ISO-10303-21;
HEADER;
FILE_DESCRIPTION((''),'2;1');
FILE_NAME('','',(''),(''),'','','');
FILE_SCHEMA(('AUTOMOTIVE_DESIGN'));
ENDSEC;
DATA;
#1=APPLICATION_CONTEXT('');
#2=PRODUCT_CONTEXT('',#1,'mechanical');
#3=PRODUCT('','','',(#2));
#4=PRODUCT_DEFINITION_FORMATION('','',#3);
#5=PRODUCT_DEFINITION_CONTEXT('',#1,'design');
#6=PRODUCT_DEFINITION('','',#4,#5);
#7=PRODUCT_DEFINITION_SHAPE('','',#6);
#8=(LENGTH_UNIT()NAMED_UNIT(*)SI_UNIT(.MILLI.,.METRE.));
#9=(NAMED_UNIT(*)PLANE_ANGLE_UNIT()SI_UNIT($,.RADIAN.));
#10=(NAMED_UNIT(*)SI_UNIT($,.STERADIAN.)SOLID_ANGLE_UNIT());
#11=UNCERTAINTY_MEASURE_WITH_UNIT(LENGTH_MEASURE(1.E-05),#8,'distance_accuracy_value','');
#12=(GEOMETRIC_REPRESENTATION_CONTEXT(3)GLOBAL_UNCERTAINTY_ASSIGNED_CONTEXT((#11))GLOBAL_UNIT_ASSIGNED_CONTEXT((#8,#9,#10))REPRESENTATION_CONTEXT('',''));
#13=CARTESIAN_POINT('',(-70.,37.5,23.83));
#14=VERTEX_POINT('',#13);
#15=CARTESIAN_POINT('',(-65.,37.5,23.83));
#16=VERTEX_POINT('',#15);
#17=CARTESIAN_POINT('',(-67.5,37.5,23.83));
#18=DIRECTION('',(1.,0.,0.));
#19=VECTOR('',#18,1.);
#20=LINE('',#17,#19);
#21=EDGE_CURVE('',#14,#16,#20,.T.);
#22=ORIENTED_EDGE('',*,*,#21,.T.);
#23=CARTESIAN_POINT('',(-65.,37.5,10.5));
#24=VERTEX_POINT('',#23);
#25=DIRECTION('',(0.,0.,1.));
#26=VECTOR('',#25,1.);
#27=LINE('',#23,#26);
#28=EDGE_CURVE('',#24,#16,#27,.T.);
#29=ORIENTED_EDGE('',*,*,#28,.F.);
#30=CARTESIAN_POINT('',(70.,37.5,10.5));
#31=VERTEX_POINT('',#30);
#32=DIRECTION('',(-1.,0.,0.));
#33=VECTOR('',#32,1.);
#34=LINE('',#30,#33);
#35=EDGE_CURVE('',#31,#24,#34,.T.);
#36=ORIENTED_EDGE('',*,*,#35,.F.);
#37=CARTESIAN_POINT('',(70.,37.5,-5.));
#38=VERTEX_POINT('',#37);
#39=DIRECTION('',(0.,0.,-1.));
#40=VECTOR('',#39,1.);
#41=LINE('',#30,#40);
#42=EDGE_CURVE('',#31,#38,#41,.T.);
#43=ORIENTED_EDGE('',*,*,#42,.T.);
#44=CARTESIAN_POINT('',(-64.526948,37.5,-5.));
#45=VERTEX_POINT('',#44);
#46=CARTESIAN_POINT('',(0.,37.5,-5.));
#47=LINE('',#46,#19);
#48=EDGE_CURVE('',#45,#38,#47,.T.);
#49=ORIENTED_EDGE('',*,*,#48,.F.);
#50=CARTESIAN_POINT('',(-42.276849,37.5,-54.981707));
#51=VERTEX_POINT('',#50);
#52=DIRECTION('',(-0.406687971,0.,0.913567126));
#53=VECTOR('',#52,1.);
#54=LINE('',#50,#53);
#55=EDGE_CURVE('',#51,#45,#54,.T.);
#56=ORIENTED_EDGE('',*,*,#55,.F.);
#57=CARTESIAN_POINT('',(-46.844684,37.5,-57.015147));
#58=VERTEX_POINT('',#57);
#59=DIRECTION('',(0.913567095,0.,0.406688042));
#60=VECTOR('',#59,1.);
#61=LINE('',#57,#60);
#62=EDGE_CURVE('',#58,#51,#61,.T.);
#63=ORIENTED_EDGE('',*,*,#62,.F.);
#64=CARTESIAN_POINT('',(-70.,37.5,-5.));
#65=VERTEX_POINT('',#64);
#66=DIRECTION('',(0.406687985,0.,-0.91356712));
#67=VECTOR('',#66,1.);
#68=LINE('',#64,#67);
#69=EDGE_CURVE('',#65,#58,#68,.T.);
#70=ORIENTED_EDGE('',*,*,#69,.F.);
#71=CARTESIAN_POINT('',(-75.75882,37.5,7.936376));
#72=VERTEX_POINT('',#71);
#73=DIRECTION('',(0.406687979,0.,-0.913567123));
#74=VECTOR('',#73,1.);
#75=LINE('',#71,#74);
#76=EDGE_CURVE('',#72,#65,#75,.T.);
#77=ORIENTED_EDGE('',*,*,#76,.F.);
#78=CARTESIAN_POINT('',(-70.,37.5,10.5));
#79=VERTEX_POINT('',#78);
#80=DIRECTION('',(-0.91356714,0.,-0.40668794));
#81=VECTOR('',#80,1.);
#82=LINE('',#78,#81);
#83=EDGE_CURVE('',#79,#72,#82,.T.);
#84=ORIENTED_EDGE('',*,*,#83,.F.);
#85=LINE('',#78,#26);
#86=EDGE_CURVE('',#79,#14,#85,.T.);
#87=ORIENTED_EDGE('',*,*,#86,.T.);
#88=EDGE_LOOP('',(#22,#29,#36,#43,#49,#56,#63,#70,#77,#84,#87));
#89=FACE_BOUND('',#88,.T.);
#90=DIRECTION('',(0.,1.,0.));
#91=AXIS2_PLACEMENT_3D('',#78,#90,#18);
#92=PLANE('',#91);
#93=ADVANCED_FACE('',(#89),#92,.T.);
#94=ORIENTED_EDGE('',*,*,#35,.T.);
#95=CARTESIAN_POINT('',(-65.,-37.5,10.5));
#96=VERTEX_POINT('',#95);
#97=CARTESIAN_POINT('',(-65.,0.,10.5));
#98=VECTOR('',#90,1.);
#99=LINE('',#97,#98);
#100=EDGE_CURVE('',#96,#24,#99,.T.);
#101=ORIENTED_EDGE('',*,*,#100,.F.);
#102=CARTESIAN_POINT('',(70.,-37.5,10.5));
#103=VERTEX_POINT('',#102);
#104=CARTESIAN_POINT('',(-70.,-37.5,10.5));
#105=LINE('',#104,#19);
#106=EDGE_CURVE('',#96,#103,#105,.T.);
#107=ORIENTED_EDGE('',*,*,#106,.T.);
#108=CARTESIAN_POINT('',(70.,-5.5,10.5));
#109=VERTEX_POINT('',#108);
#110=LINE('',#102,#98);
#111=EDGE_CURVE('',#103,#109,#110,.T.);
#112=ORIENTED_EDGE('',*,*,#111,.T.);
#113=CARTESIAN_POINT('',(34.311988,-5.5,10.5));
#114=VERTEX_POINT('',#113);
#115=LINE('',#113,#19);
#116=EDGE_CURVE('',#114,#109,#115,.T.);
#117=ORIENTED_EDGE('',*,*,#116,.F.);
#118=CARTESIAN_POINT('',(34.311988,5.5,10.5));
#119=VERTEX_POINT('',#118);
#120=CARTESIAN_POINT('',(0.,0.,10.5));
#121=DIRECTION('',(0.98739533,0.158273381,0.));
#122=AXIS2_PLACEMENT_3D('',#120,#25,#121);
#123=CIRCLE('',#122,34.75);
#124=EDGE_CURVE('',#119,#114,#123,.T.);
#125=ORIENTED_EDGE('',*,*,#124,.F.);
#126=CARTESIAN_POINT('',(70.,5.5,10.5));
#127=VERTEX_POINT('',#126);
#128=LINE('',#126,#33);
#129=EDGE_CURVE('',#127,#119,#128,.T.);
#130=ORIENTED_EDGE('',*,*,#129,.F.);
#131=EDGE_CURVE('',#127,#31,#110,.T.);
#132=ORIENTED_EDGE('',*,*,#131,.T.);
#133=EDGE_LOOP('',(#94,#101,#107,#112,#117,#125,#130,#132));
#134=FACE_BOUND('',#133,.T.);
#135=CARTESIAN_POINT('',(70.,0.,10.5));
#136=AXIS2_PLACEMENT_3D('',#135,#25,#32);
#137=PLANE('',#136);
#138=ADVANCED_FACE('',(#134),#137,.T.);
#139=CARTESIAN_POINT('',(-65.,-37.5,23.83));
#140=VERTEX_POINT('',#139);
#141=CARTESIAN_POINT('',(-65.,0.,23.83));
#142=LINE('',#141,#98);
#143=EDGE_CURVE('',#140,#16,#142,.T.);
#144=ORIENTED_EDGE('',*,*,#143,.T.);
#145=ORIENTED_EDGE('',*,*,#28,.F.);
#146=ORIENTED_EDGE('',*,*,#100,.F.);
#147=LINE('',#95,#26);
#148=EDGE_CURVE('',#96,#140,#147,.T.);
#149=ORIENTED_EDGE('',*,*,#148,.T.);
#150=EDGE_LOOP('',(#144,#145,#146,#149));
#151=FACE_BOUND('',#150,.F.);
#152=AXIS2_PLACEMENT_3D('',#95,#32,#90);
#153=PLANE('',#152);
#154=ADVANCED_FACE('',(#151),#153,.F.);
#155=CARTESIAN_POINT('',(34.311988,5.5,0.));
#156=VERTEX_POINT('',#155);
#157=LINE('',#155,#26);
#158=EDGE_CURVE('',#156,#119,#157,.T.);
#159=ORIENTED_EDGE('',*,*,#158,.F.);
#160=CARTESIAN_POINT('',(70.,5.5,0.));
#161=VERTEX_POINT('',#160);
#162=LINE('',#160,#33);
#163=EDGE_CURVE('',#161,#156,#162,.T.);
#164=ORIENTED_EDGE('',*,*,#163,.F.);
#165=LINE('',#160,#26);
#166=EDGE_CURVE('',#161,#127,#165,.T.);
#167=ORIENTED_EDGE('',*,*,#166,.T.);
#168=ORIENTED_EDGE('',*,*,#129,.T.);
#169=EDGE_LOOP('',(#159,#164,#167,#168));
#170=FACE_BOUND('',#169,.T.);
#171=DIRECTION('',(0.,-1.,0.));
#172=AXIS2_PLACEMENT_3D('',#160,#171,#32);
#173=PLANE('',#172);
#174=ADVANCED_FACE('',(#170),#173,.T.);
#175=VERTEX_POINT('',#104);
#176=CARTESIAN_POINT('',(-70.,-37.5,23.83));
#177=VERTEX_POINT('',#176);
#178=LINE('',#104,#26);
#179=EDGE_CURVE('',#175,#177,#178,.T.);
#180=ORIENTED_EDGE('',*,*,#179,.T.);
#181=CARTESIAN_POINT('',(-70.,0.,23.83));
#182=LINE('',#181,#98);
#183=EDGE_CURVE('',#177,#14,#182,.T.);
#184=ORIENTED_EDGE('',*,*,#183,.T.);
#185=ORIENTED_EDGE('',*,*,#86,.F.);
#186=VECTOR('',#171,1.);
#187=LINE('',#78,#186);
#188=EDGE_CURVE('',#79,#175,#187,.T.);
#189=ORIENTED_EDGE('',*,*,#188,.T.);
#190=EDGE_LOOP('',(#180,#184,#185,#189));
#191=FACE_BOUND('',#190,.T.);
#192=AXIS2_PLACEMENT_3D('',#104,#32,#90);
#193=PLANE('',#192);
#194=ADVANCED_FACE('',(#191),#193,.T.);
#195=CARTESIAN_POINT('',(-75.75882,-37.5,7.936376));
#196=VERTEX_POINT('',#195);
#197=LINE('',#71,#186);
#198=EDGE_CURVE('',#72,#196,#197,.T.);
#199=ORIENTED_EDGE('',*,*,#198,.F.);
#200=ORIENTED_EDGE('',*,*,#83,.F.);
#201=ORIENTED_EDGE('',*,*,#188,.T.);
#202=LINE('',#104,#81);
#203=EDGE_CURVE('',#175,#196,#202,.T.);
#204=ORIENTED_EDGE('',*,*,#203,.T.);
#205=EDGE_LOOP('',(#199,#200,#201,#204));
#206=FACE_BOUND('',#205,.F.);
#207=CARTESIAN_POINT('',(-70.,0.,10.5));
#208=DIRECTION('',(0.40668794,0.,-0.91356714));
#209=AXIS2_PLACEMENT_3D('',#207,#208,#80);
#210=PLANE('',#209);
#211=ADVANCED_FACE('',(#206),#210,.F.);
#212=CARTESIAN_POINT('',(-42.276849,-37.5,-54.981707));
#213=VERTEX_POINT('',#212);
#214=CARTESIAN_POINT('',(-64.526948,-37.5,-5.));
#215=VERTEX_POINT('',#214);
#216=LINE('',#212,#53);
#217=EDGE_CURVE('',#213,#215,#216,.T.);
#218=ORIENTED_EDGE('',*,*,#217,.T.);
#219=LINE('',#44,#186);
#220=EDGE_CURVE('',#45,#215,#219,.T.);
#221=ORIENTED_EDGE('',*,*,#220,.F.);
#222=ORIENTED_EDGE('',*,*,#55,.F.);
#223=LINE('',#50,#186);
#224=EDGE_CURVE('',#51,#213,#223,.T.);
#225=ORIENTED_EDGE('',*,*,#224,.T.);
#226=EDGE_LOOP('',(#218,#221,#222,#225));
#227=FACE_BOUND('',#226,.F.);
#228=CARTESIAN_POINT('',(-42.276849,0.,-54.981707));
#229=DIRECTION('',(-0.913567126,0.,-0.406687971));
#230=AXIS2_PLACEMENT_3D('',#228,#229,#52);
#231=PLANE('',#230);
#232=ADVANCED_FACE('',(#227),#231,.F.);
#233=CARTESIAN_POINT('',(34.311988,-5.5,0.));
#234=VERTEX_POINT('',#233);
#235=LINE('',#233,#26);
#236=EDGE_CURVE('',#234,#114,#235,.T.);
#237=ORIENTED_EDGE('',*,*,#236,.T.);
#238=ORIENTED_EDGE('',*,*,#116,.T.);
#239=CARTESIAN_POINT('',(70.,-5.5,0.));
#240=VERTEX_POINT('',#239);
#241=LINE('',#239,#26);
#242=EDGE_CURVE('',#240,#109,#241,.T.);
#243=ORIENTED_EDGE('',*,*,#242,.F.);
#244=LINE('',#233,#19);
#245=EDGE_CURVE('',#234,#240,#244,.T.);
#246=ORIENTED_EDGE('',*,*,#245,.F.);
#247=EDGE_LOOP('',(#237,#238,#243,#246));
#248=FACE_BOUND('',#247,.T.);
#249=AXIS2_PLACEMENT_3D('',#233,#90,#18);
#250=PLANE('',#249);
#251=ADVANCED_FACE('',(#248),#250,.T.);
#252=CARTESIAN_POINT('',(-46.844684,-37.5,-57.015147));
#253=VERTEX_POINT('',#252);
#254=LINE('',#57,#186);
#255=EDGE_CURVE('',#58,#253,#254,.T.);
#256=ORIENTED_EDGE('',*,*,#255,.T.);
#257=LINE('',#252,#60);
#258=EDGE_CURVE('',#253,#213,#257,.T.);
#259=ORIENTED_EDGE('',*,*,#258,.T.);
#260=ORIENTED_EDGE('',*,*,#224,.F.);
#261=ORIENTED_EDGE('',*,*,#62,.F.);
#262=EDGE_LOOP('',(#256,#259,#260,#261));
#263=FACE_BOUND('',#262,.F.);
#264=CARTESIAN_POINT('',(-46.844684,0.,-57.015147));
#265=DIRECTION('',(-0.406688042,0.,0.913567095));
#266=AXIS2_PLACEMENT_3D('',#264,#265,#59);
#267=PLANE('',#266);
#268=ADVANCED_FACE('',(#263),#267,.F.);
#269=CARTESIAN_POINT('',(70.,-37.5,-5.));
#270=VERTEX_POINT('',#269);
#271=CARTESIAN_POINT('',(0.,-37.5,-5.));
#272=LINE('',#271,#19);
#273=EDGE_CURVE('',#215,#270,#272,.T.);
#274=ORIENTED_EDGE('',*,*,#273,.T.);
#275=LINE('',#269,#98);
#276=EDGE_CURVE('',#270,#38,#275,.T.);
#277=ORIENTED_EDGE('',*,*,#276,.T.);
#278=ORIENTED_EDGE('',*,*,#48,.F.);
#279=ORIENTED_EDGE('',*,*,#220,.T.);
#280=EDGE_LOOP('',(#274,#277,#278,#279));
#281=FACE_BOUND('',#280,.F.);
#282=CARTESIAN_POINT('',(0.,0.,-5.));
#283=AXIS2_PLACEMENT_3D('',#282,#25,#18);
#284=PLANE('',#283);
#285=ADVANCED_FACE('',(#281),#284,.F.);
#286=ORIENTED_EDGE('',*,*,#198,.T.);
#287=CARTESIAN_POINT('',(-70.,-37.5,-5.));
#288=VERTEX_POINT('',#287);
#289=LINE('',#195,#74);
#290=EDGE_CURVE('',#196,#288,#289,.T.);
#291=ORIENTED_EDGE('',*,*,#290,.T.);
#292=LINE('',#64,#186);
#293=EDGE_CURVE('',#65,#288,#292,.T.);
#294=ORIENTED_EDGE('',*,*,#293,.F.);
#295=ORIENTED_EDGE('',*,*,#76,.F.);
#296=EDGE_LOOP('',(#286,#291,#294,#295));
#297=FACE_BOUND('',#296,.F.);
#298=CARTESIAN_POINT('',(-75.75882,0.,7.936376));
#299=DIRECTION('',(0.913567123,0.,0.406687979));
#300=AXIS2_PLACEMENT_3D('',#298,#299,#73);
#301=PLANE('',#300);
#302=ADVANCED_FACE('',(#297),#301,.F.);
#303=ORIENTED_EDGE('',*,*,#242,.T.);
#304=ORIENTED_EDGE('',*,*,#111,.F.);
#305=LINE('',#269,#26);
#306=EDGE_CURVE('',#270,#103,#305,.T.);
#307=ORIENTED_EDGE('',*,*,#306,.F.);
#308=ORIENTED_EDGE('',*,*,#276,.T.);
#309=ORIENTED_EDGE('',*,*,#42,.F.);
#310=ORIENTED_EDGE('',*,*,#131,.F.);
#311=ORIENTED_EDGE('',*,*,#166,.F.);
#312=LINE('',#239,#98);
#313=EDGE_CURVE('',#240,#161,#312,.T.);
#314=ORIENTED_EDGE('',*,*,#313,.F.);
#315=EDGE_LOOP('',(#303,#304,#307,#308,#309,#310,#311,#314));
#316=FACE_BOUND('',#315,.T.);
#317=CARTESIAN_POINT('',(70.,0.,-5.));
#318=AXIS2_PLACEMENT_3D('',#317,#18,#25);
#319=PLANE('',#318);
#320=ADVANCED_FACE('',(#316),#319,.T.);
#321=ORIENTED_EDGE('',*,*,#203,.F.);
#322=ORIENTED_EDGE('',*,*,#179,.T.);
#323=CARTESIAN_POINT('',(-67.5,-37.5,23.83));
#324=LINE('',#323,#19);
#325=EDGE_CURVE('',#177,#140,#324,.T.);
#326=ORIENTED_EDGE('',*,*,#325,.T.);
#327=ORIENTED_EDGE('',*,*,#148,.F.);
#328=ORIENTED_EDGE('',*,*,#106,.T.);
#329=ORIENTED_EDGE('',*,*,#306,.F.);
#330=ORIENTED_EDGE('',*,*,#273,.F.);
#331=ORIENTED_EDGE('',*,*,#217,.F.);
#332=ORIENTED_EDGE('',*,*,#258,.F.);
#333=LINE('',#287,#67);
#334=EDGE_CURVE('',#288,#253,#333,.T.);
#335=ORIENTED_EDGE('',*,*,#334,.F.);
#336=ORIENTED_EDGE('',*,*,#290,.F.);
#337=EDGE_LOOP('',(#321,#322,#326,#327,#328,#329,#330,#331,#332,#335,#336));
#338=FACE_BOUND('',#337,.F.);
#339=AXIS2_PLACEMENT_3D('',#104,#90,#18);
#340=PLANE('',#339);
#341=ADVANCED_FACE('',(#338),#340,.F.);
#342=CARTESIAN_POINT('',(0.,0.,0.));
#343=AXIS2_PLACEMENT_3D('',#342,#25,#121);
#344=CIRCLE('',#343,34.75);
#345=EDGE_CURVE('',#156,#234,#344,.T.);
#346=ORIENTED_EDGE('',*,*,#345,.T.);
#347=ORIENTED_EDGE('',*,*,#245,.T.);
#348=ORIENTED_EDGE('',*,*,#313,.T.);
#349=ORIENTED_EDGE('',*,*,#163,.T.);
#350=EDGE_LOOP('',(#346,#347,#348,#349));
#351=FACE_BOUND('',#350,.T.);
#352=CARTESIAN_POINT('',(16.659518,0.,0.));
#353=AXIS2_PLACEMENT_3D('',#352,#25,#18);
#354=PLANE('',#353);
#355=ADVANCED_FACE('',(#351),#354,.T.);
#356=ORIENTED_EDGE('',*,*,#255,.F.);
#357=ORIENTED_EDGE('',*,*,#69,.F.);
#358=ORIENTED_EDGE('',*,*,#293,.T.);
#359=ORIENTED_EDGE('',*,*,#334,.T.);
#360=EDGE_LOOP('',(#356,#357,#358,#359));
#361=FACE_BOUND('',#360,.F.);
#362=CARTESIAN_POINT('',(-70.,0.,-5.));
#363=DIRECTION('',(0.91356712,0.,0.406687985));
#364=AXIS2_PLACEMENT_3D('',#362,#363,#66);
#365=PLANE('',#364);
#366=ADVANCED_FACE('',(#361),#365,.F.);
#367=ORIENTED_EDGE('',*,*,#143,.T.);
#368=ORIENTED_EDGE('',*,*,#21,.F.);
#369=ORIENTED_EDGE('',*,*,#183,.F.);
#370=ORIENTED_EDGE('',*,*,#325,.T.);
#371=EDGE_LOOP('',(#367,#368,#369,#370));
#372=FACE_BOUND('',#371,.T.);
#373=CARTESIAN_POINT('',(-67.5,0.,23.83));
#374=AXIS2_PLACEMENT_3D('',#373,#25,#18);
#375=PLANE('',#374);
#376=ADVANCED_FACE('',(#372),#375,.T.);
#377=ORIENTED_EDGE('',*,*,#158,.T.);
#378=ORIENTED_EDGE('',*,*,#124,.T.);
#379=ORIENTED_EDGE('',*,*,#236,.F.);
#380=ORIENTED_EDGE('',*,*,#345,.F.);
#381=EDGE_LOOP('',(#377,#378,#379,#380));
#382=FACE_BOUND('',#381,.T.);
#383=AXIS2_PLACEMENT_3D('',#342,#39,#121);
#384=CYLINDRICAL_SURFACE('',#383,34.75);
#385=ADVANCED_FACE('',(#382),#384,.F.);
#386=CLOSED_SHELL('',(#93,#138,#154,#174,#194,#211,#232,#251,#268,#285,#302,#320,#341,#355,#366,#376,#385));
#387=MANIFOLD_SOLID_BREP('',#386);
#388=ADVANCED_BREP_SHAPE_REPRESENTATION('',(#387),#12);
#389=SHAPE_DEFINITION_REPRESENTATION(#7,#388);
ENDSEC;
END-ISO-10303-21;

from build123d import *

# Parameters (mm, degrees)
F1_DEPTH      = 10.5
F2_W          = 140
F2_H          = 75
F3_DEPTH      = 5
F5_DEPTH      = 37.5
F5_DEPTH_BACK = 37.5
F6_DEPTH      = 10.5
F7_W          = 5
F7_H          = 75
F8_DEPTH      = 13.33


with BuildPart() as f1:
    # F0 (on Top) → F1 (new body)
    with BuildSketch(Plane.XY):
        with BuildLine():
            Line((-70, -37.5), (70, -37.5))
            Line((70, -37.5), (70, -5.5))
            Line((70, -5.5), (34.311988, -5.5))
            ThreePointArc((34.311988, -5.5), (-34.75, 0), (34.311988, 5.5))
            Line((34.311988, 5.5), (70, 5.5))
            Line((70, 5.5), (70, 37.5))
            Line((70, 37.5), (-70, 37.5))
            Line((-70, 37.5), (-70, -37.5))
        make_face()
    extrude(amount=F1_DEPTH)

    # F2 (on Top) → F3 (join)
    with BuildSketch(Plane.XY):
        Rectangle(F2_W, F2_H)
    extrude(amount=-F3_DEPTH)

    # F4 (on Front) → F5 (join, two sides)
    with BuildSketch(Plane.XZ) as f5_sk:
        Polygon((70, 10.5), (-70, 10.5), (-70, -5), (-65.432164, -2.96656), (-64.526948, -5), (70, -5), align=None)
        Polygon((-70, -5), (-70, 10.5), (-75.75882, 7.936376), align=None)
        Polygon((-64.526948, -5), (-70, -5), (-46.844684, -57.015147), (-42.276849, -54.981707), align=None)
    extrude(amount=F5_DEPTH)
    extrude(f5_sk.sketch, amount=-F5_DEPTH_BACK)

    # F0 (on Top) → F6 (cut, through all)
    with BuildSketch(Plane.XY):
        with BuildLine():
            Line((34.311988, -5.5), (70, -5.5))
            Line((70, -5.5), (70, 5.5))
            Line((70, 5.5), (34.311988, 5.5))
            ThreePointArc((34.311988, 5.5), (-34.75, 0), (34.311988, -5.5))
        make_face()
    extrude(amount=F6_DEPTH, mode=Mode.SUBTRACT)

    # F7 (on face) → F8 (join)
    with BuildSketch(Plane.XY.offset(10.5)):
        with Locations((-67.5, 0)):
            Rectangle(F7_W, F7_H)
    extrude(amount=F8_DEPTH)


solid = f1.part
